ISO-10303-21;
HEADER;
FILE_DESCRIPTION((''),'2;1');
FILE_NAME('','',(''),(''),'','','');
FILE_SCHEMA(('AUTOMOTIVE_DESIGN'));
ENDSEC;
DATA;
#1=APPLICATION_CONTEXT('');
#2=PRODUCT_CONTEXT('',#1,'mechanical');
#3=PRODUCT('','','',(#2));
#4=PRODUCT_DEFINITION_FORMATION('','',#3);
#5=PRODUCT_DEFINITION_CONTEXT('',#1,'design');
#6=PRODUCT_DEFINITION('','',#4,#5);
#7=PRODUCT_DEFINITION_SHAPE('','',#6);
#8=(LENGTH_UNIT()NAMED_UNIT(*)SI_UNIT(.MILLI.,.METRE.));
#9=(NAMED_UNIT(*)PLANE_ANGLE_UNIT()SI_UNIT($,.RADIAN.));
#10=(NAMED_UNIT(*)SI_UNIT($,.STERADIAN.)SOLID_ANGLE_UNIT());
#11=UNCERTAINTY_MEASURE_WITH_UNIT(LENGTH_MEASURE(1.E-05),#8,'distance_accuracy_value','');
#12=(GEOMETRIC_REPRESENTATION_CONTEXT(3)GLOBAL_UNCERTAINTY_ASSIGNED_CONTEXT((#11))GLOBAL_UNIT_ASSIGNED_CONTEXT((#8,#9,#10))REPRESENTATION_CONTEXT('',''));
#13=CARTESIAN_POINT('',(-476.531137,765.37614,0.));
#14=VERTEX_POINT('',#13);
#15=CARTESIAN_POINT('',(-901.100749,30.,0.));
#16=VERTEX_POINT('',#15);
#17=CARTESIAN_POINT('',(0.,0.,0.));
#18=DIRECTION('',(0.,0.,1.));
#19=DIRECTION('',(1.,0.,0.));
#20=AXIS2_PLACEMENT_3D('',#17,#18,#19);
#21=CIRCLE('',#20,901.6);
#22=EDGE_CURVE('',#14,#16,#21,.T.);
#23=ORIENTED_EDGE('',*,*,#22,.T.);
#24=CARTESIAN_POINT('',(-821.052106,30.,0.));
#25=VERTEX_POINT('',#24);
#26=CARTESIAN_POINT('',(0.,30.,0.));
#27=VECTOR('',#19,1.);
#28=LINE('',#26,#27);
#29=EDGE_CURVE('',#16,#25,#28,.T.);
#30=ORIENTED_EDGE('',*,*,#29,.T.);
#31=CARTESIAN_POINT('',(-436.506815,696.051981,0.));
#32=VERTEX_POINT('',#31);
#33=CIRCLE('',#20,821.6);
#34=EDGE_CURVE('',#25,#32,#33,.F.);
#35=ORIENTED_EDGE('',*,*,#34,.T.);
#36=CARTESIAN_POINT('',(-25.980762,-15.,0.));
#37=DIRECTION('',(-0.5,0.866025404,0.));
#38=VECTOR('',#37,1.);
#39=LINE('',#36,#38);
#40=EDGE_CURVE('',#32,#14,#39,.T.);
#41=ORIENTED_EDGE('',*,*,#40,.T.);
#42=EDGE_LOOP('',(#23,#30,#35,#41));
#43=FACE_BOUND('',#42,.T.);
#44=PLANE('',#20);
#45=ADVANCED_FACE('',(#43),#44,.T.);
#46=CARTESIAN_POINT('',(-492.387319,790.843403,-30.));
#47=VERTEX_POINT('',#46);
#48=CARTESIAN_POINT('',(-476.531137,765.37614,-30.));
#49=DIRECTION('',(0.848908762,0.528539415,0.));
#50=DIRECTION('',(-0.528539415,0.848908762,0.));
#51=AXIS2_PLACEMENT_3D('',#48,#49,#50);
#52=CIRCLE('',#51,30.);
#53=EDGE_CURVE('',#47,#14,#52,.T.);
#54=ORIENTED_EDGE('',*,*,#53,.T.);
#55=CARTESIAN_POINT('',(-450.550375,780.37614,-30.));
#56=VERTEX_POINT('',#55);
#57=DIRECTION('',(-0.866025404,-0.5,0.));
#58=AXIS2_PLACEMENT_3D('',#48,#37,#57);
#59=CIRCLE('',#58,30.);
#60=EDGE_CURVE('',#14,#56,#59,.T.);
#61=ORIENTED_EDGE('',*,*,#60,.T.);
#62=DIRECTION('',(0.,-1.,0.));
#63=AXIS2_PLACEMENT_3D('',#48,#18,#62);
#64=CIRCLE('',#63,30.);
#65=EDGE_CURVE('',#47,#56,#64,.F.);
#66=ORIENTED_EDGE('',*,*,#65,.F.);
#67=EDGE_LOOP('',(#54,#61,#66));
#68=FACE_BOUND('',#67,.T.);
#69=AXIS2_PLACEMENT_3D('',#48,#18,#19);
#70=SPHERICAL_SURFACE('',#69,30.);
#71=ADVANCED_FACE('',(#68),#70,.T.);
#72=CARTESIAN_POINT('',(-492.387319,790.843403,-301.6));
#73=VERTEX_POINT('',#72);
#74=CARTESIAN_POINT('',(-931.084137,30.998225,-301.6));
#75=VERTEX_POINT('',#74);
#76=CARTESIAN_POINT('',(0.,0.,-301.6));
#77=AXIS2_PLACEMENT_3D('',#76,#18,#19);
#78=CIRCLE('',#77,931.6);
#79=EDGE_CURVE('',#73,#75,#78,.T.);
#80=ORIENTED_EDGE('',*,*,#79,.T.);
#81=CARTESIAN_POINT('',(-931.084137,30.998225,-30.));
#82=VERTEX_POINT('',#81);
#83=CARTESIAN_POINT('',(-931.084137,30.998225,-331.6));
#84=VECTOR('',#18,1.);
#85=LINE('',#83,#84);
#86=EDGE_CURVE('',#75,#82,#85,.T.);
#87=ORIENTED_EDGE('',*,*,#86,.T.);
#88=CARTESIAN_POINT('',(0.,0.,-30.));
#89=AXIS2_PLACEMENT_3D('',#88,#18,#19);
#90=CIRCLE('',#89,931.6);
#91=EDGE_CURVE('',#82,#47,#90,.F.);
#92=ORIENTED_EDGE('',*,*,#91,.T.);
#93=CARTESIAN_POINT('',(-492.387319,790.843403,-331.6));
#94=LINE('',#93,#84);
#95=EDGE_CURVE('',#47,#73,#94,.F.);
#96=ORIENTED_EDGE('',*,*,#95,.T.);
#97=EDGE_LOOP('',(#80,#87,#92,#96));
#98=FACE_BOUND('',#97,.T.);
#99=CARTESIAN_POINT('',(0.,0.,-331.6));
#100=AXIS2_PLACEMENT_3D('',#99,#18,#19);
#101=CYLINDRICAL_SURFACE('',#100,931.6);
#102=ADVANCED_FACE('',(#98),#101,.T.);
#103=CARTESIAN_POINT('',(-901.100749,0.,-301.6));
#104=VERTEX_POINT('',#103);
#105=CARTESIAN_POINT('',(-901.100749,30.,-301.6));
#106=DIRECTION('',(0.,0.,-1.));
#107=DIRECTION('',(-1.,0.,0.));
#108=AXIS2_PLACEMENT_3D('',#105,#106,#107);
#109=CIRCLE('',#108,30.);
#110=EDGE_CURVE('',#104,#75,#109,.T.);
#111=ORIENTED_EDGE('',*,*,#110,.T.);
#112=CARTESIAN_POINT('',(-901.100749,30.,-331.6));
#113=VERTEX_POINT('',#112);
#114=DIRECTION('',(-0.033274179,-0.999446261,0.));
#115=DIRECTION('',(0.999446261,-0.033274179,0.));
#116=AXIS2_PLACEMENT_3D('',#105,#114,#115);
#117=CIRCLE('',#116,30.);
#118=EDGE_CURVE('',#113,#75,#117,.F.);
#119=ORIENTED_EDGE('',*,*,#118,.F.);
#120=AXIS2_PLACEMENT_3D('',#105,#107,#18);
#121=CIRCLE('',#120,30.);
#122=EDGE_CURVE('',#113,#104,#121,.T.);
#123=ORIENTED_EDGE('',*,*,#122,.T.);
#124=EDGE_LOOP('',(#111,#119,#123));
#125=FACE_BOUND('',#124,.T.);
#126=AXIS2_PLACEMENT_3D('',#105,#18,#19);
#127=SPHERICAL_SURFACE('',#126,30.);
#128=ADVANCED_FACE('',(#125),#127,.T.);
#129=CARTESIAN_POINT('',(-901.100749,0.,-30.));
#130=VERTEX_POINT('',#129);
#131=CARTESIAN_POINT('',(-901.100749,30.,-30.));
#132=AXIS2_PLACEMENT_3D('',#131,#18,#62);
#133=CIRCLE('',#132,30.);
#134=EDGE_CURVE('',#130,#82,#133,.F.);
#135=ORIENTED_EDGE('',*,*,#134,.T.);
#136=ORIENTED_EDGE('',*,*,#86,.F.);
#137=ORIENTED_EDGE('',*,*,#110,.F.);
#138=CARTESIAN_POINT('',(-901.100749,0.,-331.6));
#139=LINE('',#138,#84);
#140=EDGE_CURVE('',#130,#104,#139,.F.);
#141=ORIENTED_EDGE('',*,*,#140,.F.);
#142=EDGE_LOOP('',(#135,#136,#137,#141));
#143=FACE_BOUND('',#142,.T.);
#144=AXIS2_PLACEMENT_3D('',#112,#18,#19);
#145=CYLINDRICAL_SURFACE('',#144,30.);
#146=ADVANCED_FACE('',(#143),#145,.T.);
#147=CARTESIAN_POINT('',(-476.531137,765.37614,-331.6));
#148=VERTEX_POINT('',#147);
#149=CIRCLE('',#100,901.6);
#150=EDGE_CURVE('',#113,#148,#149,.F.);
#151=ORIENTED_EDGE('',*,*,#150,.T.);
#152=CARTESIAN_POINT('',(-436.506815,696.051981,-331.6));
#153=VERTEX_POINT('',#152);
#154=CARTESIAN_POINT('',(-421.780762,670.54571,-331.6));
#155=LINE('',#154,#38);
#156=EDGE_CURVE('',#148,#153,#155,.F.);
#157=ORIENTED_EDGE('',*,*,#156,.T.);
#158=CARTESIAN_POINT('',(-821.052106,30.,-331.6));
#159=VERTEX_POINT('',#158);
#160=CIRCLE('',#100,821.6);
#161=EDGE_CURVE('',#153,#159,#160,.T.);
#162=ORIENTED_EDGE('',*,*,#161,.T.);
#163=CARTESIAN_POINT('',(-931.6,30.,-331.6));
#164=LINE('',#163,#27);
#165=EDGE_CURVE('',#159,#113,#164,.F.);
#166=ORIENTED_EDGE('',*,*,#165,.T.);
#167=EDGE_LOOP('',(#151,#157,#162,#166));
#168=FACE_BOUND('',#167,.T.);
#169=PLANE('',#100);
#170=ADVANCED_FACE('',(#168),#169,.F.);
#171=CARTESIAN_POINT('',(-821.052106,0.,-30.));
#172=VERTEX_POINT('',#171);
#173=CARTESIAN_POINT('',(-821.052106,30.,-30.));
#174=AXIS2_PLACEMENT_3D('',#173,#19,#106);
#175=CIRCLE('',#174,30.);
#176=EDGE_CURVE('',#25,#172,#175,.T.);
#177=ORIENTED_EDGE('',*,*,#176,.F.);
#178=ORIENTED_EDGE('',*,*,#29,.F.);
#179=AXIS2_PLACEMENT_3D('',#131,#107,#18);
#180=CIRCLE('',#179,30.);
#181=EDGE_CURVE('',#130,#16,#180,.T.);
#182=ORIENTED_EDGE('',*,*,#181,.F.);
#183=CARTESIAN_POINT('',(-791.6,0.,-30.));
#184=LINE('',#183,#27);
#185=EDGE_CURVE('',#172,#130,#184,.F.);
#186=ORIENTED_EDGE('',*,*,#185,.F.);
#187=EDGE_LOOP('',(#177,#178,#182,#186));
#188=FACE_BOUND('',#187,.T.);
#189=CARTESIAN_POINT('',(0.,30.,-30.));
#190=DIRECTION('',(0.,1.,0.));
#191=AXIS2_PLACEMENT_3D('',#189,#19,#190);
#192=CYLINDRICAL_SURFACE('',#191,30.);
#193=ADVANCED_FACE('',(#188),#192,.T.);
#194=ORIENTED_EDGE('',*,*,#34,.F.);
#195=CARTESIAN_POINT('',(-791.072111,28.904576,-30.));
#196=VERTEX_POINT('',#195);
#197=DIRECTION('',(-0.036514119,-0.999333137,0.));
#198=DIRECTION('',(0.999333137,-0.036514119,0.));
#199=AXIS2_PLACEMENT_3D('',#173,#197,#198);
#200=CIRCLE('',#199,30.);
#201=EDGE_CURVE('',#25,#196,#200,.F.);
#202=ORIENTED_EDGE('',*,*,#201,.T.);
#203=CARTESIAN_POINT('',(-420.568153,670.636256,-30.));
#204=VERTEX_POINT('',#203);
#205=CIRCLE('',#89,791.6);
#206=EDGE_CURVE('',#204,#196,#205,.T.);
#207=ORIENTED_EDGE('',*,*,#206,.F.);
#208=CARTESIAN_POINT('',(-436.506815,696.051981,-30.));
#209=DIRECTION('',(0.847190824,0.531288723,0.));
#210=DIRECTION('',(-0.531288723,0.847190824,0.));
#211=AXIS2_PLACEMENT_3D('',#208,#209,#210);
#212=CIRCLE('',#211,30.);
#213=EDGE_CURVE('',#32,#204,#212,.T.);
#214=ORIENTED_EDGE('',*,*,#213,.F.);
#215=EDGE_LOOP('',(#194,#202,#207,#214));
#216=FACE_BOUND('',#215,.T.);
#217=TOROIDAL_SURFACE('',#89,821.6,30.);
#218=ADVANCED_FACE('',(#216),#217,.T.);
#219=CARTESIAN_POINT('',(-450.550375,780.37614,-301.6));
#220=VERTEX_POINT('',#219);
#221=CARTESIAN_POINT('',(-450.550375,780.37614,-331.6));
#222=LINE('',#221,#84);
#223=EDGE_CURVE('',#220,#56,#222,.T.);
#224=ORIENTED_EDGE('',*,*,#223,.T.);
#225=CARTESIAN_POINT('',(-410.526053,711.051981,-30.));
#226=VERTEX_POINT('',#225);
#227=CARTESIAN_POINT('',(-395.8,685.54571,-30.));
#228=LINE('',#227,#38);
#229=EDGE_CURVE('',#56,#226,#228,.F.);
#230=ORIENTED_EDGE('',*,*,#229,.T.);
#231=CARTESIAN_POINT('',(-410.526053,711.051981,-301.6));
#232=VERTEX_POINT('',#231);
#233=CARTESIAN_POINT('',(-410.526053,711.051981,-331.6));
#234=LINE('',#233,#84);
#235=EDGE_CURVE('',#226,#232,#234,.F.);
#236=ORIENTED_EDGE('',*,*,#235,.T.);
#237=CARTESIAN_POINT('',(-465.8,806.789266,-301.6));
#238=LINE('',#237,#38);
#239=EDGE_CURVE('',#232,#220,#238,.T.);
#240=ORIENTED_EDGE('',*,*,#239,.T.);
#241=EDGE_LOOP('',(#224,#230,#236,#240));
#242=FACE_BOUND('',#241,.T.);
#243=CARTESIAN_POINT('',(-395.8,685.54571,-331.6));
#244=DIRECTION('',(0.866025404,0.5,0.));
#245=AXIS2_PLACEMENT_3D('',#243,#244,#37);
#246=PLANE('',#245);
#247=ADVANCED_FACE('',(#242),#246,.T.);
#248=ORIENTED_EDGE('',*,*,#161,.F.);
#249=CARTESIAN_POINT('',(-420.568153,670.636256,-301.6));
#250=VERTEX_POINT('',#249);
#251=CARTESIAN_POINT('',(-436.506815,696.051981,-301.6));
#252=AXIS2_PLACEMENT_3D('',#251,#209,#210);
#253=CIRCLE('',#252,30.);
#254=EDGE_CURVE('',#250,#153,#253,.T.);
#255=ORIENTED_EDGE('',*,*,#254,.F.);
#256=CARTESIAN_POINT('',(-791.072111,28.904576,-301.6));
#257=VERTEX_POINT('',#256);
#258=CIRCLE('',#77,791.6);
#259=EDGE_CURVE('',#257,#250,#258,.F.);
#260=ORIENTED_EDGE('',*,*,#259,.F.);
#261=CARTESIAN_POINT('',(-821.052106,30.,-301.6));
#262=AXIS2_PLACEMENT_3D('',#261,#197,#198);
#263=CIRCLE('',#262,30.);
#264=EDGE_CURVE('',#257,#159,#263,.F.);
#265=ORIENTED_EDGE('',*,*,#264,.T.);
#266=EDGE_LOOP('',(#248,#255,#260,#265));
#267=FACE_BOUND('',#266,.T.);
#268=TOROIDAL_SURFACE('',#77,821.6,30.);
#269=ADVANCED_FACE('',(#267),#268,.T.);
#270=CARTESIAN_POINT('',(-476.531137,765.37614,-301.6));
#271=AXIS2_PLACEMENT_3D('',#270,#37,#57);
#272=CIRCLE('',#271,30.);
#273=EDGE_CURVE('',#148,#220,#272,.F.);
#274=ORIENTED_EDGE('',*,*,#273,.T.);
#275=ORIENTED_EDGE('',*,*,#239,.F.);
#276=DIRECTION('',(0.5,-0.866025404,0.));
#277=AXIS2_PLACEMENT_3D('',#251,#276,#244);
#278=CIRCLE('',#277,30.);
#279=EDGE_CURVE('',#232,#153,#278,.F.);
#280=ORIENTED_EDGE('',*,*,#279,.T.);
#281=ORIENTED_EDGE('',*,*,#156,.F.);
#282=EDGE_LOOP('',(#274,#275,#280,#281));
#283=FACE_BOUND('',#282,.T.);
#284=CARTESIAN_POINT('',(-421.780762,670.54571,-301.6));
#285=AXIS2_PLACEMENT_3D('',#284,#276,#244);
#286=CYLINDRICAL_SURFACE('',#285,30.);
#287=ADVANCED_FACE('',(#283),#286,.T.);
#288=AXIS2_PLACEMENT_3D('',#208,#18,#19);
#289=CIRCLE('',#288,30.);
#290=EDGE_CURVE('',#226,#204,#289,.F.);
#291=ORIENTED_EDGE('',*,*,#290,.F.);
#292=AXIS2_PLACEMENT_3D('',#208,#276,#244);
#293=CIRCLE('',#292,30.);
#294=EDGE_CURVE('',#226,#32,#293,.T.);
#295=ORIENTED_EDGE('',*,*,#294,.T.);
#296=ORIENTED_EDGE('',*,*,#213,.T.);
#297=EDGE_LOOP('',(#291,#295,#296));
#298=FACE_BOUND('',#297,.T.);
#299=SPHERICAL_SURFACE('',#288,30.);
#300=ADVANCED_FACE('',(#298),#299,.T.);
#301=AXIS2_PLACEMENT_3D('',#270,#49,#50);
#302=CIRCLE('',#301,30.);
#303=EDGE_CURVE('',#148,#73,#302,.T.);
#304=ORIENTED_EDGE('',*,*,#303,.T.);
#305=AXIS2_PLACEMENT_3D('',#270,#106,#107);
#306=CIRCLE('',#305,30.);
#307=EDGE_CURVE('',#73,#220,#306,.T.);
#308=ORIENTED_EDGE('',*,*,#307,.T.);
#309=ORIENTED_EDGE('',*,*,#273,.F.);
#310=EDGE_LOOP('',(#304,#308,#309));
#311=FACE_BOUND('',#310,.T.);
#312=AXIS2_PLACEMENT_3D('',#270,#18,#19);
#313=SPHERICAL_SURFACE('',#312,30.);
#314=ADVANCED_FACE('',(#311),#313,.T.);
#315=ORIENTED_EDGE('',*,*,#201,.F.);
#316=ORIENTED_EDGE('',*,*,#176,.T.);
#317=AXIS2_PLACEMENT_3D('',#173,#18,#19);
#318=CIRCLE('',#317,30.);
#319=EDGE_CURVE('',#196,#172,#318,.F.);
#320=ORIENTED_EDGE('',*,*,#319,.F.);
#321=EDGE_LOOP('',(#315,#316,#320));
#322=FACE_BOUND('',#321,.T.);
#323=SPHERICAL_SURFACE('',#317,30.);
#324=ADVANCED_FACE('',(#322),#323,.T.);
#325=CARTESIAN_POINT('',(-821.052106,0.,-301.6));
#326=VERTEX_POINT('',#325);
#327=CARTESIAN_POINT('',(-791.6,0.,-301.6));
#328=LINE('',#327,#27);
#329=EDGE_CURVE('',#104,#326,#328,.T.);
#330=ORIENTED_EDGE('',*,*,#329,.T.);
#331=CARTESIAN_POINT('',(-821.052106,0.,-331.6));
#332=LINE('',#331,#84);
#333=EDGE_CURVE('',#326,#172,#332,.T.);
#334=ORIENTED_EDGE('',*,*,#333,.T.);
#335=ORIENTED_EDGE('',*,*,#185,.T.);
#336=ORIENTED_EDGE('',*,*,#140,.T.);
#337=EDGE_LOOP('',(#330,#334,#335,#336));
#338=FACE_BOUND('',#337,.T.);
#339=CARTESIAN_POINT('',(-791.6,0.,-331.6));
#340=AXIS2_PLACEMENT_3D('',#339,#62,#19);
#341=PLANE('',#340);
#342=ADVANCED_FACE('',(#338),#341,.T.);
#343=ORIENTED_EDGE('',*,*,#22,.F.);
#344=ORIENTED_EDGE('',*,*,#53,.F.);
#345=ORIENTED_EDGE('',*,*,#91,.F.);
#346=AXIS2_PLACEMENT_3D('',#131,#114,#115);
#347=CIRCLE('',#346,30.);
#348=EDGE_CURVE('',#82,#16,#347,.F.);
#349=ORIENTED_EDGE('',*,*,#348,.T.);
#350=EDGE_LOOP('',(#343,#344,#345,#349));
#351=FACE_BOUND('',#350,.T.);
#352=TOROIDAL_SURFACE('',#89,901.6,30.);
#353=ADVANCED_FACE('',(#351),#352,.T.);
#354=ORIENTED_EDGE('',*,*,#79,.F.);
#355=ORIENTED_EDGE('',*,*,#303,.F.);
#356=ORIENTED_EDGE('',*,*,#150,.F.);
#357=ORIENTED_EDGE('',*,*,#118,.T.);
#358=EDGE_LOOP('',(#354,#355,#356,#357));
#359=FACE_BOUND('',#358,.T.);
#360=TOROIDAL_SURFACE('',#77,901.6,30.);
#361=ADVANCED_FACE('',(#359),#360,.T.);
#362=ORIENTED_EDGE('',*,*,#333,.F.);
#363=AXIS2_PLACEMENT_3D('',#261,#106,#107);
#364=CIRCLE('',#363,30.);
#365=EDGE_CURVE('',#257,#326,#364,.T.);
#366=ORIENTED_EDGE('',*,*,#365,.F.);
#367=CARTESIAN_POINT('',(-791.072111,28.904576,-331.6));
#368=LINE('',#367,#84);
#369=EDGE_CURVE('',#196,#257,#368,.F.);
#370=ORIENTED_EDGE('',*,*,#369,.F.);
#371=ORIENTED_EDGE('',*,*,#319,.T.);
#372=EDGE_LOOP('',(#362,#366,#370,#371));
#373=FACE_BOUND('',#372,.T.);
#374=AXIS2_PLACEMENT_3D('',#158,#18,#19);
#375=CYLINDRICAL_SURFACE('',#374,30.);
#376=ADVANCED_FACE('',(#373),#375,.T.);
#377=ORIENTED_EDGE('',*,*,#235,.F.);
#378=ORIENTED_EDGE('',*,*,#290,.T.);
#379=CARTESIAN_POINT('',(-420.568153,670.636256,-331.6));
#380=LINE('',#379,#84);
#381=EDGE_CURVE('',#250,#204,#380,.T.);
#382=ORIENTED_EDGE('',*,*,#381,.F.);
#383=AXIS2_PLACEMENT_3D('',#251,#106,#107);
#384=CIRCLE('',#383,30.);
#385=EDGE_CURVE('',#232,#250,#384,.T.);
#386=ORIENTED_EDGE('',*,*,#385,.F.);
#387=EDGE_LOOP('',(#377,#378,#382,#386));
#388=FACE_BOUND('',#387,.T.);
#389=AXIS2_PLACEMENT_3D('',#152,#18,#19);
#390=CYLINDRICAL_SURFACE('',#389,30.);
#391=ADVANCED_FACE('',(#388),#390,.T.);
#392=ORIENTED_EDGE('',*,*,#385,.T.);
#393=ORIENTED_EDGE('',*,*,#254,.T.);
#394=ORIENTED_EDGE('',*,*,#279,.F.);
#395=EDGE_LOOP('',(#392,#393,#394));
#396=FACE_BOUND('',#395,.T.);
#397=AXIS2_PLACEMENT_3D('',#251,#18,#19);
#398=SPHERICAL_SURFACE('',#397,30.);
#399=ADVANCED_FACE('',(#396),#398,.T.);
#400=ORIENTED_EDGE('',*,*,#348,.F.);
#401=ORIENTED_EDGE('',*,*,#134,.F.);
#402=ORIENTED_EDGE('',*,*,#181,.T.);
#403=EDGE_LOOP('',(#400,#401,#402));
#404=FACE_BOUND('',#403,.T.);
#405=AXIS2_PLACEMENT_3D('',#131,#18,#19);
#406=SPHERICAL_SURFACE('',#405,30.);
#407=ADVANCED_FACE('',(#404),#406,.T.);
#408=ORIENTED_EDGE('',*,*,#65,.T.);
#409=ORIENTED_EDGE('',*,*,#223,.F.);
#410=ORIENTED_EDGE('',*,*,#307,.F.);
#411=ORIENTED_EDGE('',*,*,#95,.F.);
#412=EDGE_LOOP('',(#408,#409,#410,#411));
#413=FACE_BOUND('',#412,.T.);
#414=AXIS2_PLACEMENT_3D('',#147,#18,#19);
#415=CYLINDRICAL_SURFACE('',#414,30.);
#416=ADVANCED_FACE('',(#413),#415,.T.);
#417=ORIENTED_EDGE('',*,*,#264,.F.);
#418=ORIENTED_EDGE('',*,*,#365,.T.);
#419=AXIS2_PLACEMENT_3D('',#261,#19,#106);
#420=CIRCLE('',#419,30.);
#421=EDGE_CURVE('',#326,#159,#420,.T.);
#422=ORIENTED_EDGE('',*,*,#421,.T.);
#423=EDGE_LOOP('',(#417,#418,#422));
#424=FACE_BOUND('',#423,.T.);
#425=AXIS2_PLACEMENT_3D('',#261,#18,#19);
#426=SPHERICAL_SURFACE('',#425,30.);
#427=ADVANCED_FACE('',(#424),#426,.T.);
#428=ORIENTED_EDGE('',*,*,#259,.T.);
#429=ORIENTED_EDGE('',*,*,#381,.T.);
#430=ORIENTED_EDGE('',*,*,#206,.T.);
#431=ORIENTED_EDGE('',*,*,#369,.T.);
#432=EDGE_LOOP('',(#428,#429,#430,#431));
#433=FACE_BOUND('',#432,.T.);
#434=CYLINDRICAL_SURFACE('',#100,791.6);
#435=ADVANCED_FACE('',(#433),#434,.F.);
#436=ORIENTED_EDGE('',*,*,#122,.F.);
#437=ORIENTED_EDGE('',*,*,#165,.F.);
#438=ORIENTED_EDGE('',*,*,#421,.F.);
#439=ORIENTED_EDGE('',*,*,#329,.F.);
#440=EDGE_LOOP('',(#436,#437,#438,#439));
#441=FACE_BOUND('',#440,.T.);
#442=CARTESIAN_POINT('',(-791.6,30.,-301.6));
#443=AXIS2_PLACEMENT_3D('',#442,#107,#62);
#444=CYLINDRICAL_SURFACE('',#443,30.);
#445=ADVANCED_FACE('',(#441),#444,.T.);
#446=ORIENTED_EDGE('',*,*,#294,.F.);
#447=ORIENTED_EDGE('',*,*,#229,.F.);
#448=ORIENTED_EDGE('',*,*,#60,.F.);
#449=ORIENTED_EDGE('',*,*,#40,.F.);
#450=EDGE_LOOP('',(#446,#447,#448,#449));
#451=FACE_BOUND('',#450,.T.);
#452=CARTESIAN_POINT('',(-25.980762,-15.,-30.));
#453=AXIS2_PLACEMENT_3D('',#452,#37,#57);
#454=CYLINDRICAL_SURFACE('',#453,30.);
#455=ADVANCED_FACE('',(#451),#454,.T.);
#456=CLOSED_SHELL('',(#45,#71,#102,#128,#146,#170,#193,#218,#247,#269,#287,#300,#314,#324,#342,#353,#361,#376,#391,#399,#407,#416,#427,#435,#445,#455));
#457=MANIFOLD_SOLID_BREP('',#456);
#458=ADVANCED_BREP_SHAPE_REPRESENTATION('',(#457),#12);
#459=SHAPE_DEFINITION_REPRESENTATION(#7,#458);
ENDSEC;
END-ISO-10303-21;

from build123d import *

# Parameters (mm, degrees)
BOSS_EXTRUDE1_DEPTH = 331.6
FILLET1_R           = 30


with BuildPart() as part:
    # Sketch1 → Boss-Extrude1 (new body)
    with BuildSketch(Plane.XY):
        with BuildLine():
            Line((-791.6, 0), (-931.6, 0))
            ThreePointArc((-931.6, 0), (-806.789266166, 465.8), (-465.8, 806.789266166))
            Line((-465.8, 806.789266166), (-395.8, 685.545709636))
            ThreePointArc((-395.8, 685.545709636), (-685.545709636, 395.8), (-791.6, 0))
        make_face()
    extrude(amount=-BOSS_EXTRUDE1_DEPTH)

    # Fillet1
    fillet1_edges = [part.edges().sort_by_distance(p)[0] for p in [
        (-806.789266166, 465.8, -331.6),
        (-861.6, 0, -331.6),
        (-685.545709636, 395.8, -331.6),
        (-861.6, 0, 0),
        (-806.789266166, 465.8, 0),
        (-430.8, 746.167487901, 0),
        (-685.545709636, 395.8, 0),
        (-791.6, 0, -165.8),
        (-931.6, 0, -165.8),
        (-465.8, 806.789266166, -165.8),
        (-395.8, 685.545709636, -165.8),
        (-430.8, 746.167487901, -331.6),
    ]]
    fillet(fillet1_edges, radius=FILLET1_R)


solid = part.part
